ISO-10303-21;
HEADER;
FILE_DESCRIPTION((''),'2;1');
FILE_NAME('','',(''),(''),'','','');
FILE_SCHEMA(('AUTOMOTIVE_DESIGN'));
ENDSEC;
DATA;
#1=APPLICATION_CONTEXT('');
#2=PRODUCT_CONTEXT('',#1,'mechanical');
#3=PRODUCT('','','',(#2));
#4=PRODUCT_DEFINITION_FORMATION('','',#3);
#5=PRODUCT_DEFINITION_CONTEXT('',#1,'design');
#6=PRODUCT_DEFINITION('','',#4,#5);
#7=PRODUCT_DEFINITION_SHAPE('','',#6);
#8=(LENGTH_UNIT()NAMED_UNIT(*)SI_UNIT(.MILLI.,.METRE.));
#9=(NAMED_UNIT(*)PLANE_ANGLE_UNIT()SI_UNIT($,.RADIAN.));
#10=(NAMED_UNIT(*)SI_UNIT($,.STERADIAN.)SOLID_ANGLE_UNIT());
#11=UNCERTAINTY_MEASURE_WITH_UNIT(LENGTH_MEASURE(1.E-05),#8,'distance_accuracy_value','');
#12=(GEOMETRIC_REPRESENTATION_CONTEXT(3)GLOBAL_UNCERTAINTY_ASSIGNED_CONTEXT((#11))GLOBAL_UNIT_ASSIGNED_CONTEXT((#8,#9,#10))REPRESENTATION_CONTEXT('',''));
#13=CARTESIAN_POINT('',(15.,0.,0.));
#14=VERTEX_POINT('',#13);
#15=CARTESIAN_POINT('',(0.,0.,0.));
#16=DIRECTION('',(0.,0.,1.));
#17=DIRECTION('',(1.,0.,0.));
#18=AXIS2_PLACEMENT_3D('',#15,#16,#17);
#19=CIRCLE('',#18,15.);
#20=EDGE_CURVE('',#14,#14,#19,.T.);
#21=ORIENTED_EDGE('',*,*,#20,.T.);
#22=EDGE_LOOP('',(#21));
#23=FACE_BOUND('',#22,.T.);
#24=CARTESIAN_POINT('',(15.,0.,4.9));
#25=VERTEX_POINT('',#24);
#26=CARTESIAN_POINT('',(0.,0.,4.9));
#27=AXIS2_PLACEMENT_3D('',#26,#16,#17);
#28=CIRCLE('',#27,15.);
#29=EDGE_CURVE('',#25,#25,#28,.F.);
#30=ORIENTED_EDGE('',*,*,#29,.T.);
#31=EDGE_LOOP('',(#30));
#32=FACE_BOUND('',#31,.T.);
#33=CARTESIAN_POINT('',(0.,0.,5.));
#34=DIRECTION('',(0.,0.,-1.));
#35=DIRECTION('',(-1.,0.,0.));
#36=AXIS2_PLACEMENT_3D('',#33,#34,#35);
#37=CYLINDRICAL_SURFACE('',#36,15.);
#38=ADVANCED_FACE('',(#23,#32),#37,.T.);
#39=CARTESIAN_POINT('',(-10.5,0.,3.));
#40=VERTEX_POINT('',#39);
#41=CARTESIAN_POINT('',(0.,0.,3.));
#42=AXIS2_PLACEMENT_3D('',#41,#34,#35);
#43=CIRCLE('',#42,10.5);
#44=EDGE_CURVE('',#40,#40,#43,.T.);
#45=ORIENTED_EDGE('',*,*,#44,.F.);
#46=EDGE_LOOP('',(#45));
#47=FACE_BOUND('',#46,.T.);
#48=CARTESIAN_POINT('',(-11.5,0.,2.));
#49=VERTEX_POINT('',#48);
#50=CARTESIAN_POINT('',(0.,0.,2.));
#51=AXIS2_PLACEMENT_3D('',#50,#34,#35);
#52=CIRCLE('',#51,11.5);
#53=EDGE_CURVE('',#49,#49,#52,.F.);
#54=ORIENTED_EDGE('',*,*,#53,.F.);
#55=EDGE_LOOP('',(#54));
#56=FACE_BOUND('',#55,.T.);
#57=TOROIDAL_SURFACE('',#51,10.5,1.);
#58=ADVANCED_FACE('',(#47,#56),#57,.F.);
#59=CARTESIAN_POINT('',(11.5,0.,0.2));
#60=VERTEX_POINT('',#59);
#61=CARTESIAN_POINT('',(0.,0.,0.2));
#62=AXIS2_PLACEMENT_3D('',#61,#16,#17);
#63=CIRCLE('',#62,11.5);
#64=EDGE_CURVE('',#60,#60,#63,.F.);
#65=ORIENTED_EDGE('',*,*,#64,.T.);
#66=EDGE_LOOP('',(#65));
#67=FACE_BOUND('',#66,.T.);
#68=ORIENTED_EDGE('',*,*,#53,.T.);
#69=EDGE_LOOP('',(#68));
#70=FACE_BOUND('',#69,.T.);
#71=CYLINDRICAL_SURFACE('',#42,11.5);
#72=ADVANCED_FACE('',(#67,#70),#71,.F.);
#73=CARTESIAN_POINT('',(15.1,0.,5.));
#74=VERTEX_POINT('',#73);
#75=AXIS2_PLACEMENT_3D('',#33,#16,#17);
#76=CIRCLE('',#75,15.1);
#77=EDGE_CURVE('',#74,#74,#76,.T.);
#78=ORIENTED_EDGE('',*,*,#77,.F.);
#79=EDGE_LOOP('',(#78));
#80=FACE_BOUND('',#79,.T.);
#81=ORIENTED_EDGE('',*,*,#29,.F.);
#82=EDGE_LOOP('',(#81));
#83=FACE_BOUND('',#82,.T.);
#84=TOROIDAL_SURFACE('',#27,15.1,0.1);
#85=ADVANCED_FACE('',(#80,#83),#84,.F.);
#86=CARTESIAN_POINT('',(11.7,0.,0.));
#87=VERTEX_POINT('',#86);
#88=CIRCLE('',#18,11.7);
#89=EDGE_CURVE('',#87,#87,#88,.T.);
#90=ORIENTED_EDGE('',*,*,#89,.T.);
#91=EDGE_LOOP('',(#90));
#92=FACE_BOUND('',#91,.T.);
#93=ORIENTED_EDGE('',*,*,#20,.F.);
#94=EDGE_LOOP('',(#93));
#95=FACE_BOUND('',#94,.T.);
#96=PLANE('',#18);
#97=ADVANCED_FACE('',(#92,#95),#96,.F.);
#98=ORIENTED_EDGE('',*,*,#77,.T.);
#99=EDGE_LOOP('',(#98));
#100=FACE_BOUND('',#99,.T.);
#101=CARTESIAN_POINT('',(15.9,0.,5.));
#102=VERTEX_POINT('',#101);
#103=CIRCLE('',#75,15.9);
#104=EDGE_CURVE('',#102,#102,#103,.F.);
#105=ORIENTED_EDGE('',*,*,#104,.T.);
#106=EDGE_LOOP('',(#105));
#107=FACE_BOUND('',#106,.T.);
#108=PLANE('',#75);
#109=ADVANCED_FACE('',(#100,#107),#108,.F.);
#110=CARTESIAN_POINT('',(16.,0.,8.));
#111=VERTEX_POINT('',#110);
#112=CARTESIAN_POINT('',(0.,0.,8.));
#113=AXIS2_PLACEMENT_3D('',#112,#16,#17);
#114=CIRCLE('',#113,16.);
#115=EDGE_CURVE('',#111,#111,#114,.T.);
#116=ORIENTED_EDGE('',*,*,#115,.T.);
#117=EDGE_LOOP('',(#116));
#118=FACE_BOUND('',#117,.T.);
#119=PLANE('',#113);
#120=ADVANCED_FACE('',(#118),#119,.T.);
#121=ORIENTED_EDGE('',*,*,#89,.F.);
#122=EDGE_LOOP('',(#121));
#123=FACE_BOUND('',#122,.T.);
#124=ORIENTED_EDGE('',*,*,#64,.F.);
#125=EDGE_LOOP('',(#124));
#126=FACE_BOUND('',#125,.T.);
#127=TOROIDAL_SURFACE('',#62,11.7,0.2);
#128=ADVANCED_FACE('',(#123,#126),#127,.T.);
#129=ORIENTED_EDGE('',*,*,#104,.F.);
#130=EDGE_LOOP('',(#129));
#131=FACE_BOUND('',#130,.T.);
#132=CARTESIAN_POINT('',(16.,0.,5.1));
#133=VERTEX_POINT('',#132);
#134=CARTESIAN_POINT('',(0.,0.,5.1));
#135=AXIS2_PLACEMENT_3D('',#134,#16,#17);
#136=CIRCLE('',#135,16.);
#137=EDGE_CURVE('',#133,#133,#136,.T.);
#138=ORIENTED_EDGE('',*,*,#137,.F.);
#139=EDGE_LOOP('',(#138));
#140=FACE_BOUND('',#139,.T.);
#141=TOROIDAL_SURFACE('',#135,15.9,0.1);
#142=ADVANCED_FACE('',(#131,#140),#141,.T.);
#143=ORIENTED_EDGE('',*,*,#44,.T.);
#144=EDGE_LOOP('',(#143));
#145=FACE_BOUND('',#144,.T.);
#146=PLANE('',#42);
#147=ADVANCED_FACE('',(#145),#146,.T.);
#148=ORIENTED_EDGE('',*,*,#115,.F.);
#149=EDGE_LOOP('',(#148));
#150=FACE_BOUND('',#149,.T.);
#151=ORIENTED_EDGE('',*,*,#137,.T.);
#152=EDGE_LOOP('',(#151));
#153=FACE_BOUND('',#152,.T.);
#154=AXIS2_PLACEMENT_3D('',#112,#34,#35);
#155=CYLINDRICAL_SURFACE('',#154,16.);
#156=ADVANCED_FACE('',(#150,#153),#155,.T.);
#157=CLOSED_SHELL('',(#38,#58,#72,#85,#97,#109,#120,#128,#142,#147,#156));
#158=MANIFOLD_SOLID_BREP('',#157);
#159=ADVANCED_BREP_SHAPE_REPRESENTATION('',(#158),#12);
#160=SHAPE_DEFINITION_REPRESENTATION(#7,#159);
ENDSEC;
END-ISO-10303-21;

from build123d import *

# Parameters (mm, degrees)
SKETCH3_R           = 15
BOSS_EXTRUDE1_DEPTH = 5
SKETCH4_R           = 11.5
CUT_EXTRUDE1_DEPTH  = 3
FILLET1_R           = 1
FILLET2_R           = 0.2
SKETCH5_R           = 16
BOSS_EXTRUDE2_DEPTH = 3
FILLET3_R           = 0.1


with BuildPart() as part:
    # Sketch3 → Boss-Extrude1 (new body)
    with BuildSketch(Plane.XY):
        Circle(SKETCH3_R)
    extrude(amount=BOSS_EXTRUDE1_DEPTH)

    # Sketch4 → Cut-Extrude1 (cut)
    with BuildSketch(Plane(origin=(0, 0, 0), x_dir=(-1, 0, 0), z_dir=(0, 0, -1))):
        Circle(SKETCH4_R)
    extrude(amount=-CUT_EXTRUDE1_DEPTH, mode=Mode.SUBTRACT)

    # Fillet1
    fillet1_edges = [part.edges().sort_by_distance(p)[0] for p in [
        (11.5, 0, 3),
    ]]
    fillet(fillet1_edges, radius=FILLET1_R)

    # Fillet2
    fillet2_edges = [part.edges().sort_by_distance(p)[0] for p in [
        (11.5, 0, 0),
    ]]
    fillet(fillet2_edges, radius=FILLET2_R)

    # Sketch5 → Boss-Extrude2 (add)
    with BuildSketch(Plane.XY.offset(5)):
        Circle(SKETCH5_R)
    extrude(amount=BOSS_EXTRUDE2_DEPTH)

    # Fillet3
    fillet3_edges = [part.edges().sort_by_distance(p)[0] for p in [
        (-16, 0, 5),
        (-15, 0, 5),
    ]]
    fillet(fillet3_edges, radius=FILLET3_R)


solid = part.part
